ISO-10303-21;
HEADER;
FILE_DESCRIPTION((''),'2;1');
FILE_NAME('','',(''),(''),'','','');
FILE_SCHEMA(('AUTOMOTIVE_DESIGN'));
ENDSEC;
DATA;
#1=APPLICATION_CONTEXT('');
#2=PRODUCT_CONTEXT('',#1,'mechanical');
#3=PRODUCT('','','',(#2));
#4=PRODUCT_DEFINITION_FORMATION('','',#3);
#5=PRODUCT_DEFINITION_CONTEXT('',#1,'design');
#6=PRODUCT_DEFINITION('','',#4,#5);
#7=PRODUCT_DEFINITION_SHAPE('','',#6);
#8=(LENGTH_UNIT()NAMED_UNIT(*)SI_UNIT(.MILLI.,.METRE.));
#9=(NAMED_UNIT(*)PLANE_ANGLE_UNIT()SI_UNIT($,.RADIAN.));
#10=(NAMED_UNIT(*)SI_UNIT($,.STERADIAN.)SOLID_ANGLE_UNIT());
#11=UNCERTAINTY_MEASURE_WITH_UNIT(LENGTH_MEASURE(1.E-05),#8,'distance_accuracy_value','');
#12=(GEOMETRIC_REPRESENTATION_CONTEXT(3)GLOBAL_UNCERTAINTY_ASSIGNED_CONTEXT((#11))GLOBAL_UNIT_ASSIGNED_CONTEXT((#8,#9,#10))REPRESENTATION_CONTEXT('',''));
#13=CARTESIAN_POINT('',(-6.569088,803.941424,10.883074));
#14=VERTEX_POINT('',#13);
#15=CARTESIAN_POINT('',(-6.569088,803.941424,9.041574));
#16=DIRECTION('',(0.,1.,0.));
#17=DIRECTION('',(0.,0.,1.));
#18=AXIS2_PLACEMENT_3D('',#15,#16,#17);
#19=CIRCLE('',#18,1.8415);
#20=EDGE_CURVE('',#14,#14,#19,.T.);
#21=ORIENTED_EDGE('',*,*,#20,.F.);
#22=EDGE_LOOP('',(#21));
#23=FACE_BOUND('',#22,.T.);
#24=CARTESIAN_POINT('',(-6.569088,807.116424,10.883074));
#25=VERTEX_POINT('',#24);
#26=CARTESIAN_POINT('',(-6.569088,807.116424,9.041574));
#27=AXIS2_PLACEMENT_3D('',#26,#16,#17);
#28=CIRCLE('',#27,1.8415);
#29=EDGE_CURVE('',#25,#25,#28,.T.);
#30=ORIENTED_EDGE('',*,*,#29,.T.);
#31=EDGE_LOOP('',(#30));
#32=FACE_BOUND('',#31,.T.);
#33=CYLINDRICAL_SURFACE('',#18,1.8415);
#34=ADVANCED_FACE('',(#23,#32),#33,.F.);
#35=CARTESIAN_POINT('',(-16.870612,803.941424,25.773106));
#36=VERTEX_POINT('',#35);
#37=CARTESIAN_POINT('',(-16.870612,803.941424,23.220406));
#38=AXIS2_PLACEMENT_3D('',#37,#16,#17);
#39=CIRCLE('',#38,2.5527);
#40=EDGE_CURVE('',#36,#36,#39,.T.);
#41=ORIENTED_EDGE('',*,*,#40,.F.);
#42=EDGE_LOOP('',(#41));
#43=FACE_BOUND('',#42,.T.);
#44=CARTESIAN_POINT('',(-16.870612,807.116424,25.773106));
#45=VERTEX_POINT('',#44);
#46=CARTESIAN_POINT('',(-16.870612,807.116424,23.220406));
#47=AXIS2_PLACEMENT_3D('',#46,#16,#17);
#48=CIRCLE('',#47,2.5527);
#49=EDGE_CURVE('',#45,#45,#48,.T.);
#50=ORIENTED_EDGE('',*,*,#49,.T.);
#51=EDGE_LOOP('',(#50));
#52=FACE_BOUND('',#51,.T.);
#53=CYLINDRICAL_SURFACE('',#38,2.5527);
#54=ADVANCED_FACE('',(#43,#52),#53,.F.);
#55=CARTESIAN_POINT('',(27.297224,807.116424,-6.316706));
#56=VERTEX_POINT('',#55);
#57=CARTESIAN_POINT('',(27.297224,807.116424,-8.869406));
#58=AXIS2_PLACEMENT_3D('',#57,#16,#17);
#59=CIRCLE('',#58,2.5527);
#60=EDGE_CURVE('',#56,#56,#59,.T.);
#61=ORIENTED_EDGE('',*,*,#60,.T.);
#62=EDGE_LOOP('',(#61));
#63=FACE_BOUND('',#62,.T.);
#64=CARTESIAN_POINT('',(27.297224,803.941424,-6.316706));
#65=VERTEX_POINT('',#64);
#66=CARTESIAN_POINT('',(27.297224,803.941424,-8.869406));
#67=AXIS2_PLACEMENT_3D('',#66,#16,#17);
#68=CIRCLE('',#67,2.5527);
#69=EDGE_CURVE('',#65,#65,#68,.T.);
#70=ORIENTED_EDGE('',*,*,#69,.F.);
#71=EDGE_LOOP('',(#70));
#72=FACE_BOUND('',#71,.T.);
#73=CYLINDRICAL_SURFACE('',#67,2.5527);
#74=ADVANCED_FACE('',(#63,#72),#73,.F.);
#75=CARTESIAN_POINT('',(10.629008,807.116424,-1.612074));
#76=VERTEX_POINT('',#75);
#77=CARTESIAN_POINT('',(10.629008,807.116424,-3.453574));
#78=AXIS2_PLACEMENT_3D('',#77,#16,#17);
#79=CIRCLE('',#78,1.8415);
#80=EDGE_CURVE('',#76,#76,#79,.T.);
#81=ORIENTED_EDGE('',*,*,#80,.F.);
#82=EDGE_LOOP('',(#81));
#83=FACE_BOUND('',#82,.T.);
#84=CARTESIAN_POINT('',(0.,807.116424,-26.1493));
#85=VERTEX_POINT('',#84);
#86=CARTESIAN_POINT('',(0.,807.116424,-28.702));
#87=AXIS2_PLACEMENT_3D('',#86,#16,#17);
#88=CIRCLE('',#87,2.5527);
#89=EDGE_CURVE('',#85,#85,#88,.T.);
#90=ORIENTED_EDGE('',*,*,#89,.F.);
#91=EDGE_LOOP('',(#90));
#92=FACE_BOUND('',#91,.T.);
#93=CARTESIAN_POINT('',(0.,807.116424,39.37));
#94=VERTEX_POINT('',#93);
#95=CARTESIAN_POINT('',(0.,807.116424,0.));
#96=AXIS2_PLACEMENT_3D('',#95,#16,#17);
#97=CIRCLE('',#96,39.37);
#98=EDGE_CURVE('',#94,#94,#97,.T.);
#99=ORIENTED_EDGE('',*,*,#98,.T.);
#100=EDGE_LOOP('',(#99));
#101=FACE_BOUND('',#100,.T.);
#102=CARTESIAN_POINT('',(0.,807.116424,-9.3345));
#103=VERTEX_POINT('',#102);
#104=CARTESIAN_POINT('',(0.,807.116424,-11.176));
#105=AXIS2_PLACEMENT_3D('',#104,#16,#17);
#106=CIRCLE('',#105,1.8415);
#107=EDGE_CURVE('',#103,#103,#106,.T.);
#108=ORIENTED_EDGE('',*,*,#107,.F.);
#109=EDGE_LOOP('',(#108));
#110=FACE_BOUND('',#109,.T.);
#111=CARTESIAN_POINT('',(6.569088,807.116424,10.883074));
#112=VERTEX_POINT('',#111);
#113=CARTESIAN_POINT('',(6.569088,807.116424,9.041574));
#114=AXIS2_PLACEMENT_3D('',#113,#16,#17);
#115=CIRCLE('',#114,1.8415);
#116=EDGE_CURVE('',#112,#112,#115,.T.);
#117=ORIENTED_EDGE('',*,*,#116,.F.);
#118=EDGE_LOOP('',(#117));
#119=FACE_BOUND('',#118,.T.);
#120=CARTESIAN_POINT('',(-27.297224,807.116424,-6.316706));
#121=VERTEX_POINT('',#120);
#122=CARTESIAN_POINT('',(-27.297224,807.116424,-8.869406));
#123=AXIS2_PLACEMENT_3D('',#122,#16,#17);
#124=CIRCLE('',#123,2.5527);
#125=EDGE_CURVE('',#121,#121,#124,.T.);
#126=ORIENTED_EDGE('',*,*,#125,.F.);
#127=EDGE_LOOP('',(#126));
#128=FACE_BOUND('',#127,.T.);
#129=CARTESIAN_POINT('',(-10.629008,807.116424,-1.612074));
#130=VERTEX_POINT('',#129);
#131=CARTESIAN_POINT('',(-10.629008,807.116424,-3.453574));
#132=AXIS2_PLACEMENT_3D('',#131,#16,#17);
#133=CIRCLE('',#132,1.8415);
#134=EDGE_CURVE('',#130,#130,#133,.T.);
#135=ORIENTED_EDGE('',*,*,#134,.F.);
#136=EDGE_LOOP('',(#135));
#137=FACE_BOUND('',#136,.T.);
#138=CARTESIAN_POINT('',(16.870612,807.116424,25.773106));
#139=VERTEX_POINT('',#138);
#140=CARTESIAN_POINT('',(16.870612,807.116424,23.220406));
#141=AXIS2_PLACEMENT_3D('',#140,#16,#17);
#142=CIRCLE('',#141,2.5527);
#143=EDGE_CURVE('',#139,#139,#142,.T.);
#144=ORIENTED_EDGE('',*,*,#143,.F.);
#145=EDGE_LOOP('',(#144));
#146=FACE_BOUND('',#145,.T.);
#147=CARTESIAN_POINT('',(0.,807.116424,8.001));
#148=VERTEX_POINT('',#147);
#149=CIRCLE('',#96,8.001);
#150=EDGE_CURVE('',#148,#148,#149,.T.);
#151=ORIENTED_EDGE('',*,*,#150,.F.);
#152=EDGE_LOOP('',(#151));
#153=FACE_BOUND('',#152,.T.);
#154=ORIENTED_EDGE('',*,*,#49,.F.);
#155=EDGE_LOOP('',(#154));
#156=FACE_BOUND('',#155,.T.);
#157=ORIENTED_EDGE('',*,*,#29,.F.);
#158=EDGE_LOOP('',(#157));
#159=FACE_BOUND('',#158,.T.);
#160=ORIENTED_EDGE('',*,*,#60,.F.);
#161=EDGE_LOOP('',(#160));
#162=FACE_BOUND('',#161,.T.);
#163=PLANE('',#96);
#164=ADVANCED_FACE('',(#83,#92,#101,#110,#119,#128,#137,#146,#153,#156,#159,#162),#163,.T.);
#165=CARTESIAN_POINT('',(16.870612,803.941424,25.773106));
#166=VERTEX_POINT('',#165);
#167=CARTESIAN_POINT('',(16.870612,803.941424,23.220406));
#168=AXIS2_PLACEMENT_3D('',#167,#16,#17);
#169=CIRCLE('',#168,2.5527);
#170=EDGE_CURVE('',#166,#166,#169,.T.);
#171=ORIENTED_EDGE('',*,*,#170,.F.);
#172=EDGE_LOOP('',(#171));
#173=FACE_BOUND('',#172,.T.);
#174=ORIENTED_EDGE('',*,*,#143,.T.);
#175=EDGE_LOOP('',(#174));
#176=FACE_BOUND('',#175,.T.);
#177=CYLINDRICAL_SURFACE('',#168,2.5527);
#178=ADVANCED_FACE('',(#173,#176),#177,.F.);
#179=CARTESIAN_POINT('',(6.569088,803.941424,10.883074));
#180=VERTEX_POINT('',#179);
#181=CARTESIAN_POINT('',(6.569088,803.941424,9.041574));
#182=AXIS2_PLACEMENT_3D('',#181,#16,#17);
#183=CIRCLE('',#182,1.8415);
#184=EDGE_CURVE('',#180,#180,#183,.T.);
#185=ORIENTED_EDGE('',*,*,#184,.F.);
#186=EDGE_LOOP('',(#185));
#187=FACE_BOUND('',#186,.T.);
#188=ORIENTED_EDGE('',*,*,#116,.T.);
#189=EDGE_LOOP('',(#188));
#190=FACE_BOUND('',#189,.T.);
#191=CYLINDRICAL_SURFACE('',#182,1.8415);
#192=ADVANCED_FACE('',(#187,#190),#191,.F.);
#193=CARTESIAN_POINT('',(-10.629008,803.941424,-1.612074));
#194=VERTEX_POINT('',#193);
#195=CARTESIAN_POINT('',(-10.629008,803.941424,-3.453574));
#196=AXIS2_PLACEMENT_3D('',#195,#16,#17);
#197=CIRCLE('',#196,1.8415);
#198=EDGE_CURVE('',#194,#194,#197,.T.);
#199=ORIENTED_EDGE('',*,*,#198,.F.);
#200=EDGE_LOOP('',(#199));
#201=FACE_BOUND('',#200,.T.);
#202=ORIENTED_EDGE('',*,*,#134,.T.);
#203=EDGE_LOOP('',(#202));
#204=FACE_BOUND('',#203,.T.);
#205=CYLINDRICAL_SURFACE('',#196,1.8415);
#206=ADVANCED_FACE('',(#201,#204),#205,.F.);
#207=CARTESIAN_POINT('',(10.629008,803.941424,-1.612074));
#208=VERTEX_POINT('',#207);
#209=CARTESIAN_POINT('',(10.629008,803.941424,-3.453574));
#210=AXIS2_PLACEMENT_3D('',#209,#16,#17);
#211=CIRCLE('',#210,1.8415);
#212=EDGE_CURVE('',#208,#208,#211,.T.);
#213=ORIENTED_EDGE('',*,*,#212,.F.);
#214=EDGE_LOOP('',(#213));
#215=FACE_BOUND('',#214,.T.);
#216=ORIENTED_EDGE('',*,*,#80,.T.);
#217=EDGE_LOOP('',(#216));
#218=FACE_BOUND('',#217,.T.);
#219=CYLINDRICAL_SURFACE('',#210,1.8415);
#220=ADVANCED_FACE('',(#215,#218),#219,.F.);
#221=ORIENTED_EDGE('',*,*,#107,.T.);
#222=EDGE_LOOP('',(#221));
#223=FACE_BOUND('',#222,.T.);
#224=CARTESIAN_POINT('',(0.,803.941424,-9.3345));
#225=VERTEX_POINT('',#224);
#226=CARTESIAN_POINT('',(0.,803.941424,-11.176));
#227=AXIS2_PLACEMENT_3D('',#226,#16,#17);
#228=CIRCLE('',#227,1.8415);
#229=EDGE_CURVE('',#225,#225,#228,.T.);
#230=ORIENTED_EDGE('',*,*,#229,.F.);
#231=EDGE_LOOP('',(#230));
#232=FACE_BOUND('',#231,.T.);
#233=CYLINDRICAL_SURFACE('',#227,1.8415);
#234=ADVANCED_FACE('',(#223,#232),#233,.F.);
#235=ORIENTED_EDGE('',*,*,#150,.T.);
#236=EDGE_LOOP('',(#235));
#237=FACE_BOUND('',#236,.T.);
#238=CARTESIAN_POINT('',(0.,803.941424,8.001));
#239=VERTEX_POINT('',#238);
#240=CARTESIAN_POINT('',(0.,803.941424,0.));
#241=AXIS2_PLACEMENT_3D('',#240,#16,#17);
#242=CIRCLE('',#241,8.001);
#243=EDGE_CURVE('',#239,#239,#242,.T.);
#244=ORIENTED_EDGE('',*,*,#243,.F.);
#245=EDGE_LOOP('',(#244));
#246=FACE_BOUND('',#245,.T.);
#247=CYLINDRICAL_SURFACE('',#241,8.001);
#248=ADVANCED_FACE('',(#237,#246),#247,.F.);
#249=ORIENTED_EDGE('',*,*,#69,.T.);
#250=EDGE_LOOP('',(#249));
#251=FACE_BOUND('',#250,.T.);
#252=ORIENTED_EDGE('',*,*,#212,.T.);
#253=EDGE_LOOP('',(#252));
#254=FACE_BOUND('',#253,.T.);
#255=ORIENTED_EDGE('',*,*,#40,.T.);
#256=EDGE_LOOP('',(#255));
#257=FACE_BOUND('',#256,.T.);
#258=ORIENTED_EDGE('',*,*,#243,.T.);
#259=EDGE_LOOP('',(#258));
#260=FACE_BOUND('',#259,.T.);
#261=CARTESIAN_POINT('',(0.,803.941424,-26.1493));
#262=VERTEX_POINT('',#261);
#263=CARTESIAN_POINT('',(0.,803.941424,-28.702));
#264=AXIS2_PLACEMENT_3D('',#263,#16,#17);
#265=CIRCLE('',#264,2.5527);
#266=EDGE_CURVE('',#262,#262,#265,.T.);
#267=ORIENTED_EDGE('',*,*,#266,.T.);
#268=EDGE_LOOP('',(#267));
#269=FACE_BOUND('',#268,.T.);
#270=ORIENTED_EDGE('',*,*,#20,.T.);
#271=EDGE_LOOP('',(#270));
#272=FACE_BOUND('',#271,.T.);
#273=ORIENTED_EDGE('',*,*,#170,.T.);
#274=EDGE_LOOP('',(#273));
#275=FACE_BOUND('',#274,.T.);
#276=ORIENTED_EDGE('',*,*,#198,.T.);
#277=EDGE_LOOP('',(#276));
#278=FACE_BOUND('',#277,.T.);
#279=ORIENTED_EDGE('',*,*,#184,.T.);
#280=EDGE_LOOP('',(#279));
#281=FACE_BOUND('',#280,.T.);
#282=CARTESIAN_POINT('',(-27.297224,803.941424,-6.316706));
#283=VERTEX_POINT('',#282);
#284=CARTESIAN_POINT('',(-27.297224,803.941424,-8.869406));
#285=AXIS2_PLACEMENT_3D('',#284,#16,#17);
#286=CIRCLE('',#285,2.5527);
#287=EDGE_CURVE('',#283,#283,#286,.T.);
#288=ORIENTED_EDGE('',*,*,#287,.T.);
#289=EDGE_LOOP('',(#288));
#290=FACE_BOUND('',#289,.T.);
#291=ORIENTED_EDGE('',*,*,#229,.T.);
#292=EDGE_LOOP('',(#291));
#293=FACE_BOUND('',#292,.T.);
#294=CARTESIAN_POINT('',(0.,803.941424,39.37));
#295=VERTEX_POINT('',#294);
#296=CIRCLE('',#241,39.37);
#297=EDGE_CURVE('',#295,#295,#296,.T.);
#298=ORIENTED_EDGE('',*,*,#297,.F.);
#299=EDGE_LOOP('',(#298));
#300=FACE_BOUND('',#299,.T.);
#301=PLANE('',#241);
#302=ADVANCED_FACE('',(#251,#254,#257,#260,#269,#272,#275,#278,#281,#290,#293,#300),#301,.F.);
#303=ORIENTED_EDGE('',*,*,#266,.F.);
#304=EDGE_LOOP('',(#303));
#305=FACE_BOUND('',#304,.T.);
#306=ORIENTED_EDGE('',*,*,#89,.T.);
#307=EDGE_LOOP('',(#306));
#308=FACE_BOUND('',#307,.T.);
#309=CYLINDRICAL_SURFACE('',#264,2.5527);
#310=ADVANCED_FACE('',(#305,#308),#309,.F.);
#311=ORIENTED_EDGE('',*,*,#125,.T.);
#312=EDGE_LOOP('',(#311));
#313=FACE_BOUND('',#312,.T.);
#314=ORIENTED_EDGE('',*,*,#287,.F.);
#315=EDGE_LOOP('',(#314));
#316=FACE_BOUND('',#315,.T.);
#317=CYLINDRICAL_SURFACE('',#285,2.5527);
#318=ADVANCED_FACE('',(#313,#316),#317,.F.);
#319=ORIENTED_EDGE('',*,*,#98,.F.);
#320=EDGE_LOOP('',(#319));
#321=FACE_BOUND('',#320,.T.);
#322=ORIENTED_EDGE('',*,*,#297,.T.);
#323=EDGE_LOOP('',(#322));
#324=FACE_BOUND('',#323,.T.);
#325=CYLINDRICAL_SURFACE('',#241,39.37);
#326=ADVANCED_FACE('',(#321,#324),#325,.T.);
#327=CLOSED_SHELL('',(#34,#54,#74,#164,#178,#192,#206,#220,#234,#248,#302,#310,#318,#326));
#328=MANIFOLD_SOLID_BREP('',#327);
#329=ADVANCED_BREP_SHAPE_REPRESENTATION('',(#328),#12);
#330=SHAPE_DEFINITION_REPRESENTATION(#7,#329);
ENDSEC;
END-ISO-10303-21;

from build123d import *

# Parameters (mm, degrees)
SKETCH1_R           = 39.37
BOSS_EXTRUDE1_DEPTH = 3.175
SKETCH2_R           = 8.001
SKETCH2_R_2         = 1.8415
SKETCH2_R_3         = 2.5527
CUT_EXTRUDE1_DEPTH  = 4.175


with BuildPart() as part:
    # Sketch1 → Boss-Extrude1 (new body)
    with BuildSketch(Plane(origin=(0, 807.11642412, 0), x_dir=(-1, 0, 0), z_dir=(0, 1, 0))):
        Circle(SKETCH1_R)
    extrude(amount=-BOSS_EXTRUDE1_DEPTH)

    # Sketch2 → Cut-Extrude1 (cut, through all)
    with BuildSketch(Plane(origin=(0, 807.11642412, 0), x_dir=(1, 0, 0), z_dir=(0, 1, 0))):
        Circle(SKETCH2_R)
        with Locations((0, 11.176)):
            Circle(SKETCH2_R_2)
        with Locations((10.629007626, 3.453573929)):
            Circle(SKETCH2_R_2)
        with Locations((6.56908798, -9.041573929)):
            Circle(SKETCH2_R_2)
        with Locations((-6.56908798, -9.041573929)):
            Circle(SKETCH2_R_2)
        with Locations((-10.629007626, 3.453573929)):
            Circle(SKETCH2_R_2)
        with Locations((0, 28.702)):
            Circle(SKETCH2_R_3)
        with Locations((27.297224131, 8.869405773)):
            Circle(SKETCH2_R_3)
        with Locations((16.870612311, -23.220405773)):
            Circle(SKETCH2_R_3)
        with Locations((-16.870612311, -23.220405773)):
            Circle(SKETCH2_R_3)
        with Locations((-27.297224131, 8.869405773)):
            Circle(SKETCH2_R_3)
    extrude(amount=-CUT_EXTRUDE1_DEPTH, mode=Mode.SUBTRACT)


solid = part.part
